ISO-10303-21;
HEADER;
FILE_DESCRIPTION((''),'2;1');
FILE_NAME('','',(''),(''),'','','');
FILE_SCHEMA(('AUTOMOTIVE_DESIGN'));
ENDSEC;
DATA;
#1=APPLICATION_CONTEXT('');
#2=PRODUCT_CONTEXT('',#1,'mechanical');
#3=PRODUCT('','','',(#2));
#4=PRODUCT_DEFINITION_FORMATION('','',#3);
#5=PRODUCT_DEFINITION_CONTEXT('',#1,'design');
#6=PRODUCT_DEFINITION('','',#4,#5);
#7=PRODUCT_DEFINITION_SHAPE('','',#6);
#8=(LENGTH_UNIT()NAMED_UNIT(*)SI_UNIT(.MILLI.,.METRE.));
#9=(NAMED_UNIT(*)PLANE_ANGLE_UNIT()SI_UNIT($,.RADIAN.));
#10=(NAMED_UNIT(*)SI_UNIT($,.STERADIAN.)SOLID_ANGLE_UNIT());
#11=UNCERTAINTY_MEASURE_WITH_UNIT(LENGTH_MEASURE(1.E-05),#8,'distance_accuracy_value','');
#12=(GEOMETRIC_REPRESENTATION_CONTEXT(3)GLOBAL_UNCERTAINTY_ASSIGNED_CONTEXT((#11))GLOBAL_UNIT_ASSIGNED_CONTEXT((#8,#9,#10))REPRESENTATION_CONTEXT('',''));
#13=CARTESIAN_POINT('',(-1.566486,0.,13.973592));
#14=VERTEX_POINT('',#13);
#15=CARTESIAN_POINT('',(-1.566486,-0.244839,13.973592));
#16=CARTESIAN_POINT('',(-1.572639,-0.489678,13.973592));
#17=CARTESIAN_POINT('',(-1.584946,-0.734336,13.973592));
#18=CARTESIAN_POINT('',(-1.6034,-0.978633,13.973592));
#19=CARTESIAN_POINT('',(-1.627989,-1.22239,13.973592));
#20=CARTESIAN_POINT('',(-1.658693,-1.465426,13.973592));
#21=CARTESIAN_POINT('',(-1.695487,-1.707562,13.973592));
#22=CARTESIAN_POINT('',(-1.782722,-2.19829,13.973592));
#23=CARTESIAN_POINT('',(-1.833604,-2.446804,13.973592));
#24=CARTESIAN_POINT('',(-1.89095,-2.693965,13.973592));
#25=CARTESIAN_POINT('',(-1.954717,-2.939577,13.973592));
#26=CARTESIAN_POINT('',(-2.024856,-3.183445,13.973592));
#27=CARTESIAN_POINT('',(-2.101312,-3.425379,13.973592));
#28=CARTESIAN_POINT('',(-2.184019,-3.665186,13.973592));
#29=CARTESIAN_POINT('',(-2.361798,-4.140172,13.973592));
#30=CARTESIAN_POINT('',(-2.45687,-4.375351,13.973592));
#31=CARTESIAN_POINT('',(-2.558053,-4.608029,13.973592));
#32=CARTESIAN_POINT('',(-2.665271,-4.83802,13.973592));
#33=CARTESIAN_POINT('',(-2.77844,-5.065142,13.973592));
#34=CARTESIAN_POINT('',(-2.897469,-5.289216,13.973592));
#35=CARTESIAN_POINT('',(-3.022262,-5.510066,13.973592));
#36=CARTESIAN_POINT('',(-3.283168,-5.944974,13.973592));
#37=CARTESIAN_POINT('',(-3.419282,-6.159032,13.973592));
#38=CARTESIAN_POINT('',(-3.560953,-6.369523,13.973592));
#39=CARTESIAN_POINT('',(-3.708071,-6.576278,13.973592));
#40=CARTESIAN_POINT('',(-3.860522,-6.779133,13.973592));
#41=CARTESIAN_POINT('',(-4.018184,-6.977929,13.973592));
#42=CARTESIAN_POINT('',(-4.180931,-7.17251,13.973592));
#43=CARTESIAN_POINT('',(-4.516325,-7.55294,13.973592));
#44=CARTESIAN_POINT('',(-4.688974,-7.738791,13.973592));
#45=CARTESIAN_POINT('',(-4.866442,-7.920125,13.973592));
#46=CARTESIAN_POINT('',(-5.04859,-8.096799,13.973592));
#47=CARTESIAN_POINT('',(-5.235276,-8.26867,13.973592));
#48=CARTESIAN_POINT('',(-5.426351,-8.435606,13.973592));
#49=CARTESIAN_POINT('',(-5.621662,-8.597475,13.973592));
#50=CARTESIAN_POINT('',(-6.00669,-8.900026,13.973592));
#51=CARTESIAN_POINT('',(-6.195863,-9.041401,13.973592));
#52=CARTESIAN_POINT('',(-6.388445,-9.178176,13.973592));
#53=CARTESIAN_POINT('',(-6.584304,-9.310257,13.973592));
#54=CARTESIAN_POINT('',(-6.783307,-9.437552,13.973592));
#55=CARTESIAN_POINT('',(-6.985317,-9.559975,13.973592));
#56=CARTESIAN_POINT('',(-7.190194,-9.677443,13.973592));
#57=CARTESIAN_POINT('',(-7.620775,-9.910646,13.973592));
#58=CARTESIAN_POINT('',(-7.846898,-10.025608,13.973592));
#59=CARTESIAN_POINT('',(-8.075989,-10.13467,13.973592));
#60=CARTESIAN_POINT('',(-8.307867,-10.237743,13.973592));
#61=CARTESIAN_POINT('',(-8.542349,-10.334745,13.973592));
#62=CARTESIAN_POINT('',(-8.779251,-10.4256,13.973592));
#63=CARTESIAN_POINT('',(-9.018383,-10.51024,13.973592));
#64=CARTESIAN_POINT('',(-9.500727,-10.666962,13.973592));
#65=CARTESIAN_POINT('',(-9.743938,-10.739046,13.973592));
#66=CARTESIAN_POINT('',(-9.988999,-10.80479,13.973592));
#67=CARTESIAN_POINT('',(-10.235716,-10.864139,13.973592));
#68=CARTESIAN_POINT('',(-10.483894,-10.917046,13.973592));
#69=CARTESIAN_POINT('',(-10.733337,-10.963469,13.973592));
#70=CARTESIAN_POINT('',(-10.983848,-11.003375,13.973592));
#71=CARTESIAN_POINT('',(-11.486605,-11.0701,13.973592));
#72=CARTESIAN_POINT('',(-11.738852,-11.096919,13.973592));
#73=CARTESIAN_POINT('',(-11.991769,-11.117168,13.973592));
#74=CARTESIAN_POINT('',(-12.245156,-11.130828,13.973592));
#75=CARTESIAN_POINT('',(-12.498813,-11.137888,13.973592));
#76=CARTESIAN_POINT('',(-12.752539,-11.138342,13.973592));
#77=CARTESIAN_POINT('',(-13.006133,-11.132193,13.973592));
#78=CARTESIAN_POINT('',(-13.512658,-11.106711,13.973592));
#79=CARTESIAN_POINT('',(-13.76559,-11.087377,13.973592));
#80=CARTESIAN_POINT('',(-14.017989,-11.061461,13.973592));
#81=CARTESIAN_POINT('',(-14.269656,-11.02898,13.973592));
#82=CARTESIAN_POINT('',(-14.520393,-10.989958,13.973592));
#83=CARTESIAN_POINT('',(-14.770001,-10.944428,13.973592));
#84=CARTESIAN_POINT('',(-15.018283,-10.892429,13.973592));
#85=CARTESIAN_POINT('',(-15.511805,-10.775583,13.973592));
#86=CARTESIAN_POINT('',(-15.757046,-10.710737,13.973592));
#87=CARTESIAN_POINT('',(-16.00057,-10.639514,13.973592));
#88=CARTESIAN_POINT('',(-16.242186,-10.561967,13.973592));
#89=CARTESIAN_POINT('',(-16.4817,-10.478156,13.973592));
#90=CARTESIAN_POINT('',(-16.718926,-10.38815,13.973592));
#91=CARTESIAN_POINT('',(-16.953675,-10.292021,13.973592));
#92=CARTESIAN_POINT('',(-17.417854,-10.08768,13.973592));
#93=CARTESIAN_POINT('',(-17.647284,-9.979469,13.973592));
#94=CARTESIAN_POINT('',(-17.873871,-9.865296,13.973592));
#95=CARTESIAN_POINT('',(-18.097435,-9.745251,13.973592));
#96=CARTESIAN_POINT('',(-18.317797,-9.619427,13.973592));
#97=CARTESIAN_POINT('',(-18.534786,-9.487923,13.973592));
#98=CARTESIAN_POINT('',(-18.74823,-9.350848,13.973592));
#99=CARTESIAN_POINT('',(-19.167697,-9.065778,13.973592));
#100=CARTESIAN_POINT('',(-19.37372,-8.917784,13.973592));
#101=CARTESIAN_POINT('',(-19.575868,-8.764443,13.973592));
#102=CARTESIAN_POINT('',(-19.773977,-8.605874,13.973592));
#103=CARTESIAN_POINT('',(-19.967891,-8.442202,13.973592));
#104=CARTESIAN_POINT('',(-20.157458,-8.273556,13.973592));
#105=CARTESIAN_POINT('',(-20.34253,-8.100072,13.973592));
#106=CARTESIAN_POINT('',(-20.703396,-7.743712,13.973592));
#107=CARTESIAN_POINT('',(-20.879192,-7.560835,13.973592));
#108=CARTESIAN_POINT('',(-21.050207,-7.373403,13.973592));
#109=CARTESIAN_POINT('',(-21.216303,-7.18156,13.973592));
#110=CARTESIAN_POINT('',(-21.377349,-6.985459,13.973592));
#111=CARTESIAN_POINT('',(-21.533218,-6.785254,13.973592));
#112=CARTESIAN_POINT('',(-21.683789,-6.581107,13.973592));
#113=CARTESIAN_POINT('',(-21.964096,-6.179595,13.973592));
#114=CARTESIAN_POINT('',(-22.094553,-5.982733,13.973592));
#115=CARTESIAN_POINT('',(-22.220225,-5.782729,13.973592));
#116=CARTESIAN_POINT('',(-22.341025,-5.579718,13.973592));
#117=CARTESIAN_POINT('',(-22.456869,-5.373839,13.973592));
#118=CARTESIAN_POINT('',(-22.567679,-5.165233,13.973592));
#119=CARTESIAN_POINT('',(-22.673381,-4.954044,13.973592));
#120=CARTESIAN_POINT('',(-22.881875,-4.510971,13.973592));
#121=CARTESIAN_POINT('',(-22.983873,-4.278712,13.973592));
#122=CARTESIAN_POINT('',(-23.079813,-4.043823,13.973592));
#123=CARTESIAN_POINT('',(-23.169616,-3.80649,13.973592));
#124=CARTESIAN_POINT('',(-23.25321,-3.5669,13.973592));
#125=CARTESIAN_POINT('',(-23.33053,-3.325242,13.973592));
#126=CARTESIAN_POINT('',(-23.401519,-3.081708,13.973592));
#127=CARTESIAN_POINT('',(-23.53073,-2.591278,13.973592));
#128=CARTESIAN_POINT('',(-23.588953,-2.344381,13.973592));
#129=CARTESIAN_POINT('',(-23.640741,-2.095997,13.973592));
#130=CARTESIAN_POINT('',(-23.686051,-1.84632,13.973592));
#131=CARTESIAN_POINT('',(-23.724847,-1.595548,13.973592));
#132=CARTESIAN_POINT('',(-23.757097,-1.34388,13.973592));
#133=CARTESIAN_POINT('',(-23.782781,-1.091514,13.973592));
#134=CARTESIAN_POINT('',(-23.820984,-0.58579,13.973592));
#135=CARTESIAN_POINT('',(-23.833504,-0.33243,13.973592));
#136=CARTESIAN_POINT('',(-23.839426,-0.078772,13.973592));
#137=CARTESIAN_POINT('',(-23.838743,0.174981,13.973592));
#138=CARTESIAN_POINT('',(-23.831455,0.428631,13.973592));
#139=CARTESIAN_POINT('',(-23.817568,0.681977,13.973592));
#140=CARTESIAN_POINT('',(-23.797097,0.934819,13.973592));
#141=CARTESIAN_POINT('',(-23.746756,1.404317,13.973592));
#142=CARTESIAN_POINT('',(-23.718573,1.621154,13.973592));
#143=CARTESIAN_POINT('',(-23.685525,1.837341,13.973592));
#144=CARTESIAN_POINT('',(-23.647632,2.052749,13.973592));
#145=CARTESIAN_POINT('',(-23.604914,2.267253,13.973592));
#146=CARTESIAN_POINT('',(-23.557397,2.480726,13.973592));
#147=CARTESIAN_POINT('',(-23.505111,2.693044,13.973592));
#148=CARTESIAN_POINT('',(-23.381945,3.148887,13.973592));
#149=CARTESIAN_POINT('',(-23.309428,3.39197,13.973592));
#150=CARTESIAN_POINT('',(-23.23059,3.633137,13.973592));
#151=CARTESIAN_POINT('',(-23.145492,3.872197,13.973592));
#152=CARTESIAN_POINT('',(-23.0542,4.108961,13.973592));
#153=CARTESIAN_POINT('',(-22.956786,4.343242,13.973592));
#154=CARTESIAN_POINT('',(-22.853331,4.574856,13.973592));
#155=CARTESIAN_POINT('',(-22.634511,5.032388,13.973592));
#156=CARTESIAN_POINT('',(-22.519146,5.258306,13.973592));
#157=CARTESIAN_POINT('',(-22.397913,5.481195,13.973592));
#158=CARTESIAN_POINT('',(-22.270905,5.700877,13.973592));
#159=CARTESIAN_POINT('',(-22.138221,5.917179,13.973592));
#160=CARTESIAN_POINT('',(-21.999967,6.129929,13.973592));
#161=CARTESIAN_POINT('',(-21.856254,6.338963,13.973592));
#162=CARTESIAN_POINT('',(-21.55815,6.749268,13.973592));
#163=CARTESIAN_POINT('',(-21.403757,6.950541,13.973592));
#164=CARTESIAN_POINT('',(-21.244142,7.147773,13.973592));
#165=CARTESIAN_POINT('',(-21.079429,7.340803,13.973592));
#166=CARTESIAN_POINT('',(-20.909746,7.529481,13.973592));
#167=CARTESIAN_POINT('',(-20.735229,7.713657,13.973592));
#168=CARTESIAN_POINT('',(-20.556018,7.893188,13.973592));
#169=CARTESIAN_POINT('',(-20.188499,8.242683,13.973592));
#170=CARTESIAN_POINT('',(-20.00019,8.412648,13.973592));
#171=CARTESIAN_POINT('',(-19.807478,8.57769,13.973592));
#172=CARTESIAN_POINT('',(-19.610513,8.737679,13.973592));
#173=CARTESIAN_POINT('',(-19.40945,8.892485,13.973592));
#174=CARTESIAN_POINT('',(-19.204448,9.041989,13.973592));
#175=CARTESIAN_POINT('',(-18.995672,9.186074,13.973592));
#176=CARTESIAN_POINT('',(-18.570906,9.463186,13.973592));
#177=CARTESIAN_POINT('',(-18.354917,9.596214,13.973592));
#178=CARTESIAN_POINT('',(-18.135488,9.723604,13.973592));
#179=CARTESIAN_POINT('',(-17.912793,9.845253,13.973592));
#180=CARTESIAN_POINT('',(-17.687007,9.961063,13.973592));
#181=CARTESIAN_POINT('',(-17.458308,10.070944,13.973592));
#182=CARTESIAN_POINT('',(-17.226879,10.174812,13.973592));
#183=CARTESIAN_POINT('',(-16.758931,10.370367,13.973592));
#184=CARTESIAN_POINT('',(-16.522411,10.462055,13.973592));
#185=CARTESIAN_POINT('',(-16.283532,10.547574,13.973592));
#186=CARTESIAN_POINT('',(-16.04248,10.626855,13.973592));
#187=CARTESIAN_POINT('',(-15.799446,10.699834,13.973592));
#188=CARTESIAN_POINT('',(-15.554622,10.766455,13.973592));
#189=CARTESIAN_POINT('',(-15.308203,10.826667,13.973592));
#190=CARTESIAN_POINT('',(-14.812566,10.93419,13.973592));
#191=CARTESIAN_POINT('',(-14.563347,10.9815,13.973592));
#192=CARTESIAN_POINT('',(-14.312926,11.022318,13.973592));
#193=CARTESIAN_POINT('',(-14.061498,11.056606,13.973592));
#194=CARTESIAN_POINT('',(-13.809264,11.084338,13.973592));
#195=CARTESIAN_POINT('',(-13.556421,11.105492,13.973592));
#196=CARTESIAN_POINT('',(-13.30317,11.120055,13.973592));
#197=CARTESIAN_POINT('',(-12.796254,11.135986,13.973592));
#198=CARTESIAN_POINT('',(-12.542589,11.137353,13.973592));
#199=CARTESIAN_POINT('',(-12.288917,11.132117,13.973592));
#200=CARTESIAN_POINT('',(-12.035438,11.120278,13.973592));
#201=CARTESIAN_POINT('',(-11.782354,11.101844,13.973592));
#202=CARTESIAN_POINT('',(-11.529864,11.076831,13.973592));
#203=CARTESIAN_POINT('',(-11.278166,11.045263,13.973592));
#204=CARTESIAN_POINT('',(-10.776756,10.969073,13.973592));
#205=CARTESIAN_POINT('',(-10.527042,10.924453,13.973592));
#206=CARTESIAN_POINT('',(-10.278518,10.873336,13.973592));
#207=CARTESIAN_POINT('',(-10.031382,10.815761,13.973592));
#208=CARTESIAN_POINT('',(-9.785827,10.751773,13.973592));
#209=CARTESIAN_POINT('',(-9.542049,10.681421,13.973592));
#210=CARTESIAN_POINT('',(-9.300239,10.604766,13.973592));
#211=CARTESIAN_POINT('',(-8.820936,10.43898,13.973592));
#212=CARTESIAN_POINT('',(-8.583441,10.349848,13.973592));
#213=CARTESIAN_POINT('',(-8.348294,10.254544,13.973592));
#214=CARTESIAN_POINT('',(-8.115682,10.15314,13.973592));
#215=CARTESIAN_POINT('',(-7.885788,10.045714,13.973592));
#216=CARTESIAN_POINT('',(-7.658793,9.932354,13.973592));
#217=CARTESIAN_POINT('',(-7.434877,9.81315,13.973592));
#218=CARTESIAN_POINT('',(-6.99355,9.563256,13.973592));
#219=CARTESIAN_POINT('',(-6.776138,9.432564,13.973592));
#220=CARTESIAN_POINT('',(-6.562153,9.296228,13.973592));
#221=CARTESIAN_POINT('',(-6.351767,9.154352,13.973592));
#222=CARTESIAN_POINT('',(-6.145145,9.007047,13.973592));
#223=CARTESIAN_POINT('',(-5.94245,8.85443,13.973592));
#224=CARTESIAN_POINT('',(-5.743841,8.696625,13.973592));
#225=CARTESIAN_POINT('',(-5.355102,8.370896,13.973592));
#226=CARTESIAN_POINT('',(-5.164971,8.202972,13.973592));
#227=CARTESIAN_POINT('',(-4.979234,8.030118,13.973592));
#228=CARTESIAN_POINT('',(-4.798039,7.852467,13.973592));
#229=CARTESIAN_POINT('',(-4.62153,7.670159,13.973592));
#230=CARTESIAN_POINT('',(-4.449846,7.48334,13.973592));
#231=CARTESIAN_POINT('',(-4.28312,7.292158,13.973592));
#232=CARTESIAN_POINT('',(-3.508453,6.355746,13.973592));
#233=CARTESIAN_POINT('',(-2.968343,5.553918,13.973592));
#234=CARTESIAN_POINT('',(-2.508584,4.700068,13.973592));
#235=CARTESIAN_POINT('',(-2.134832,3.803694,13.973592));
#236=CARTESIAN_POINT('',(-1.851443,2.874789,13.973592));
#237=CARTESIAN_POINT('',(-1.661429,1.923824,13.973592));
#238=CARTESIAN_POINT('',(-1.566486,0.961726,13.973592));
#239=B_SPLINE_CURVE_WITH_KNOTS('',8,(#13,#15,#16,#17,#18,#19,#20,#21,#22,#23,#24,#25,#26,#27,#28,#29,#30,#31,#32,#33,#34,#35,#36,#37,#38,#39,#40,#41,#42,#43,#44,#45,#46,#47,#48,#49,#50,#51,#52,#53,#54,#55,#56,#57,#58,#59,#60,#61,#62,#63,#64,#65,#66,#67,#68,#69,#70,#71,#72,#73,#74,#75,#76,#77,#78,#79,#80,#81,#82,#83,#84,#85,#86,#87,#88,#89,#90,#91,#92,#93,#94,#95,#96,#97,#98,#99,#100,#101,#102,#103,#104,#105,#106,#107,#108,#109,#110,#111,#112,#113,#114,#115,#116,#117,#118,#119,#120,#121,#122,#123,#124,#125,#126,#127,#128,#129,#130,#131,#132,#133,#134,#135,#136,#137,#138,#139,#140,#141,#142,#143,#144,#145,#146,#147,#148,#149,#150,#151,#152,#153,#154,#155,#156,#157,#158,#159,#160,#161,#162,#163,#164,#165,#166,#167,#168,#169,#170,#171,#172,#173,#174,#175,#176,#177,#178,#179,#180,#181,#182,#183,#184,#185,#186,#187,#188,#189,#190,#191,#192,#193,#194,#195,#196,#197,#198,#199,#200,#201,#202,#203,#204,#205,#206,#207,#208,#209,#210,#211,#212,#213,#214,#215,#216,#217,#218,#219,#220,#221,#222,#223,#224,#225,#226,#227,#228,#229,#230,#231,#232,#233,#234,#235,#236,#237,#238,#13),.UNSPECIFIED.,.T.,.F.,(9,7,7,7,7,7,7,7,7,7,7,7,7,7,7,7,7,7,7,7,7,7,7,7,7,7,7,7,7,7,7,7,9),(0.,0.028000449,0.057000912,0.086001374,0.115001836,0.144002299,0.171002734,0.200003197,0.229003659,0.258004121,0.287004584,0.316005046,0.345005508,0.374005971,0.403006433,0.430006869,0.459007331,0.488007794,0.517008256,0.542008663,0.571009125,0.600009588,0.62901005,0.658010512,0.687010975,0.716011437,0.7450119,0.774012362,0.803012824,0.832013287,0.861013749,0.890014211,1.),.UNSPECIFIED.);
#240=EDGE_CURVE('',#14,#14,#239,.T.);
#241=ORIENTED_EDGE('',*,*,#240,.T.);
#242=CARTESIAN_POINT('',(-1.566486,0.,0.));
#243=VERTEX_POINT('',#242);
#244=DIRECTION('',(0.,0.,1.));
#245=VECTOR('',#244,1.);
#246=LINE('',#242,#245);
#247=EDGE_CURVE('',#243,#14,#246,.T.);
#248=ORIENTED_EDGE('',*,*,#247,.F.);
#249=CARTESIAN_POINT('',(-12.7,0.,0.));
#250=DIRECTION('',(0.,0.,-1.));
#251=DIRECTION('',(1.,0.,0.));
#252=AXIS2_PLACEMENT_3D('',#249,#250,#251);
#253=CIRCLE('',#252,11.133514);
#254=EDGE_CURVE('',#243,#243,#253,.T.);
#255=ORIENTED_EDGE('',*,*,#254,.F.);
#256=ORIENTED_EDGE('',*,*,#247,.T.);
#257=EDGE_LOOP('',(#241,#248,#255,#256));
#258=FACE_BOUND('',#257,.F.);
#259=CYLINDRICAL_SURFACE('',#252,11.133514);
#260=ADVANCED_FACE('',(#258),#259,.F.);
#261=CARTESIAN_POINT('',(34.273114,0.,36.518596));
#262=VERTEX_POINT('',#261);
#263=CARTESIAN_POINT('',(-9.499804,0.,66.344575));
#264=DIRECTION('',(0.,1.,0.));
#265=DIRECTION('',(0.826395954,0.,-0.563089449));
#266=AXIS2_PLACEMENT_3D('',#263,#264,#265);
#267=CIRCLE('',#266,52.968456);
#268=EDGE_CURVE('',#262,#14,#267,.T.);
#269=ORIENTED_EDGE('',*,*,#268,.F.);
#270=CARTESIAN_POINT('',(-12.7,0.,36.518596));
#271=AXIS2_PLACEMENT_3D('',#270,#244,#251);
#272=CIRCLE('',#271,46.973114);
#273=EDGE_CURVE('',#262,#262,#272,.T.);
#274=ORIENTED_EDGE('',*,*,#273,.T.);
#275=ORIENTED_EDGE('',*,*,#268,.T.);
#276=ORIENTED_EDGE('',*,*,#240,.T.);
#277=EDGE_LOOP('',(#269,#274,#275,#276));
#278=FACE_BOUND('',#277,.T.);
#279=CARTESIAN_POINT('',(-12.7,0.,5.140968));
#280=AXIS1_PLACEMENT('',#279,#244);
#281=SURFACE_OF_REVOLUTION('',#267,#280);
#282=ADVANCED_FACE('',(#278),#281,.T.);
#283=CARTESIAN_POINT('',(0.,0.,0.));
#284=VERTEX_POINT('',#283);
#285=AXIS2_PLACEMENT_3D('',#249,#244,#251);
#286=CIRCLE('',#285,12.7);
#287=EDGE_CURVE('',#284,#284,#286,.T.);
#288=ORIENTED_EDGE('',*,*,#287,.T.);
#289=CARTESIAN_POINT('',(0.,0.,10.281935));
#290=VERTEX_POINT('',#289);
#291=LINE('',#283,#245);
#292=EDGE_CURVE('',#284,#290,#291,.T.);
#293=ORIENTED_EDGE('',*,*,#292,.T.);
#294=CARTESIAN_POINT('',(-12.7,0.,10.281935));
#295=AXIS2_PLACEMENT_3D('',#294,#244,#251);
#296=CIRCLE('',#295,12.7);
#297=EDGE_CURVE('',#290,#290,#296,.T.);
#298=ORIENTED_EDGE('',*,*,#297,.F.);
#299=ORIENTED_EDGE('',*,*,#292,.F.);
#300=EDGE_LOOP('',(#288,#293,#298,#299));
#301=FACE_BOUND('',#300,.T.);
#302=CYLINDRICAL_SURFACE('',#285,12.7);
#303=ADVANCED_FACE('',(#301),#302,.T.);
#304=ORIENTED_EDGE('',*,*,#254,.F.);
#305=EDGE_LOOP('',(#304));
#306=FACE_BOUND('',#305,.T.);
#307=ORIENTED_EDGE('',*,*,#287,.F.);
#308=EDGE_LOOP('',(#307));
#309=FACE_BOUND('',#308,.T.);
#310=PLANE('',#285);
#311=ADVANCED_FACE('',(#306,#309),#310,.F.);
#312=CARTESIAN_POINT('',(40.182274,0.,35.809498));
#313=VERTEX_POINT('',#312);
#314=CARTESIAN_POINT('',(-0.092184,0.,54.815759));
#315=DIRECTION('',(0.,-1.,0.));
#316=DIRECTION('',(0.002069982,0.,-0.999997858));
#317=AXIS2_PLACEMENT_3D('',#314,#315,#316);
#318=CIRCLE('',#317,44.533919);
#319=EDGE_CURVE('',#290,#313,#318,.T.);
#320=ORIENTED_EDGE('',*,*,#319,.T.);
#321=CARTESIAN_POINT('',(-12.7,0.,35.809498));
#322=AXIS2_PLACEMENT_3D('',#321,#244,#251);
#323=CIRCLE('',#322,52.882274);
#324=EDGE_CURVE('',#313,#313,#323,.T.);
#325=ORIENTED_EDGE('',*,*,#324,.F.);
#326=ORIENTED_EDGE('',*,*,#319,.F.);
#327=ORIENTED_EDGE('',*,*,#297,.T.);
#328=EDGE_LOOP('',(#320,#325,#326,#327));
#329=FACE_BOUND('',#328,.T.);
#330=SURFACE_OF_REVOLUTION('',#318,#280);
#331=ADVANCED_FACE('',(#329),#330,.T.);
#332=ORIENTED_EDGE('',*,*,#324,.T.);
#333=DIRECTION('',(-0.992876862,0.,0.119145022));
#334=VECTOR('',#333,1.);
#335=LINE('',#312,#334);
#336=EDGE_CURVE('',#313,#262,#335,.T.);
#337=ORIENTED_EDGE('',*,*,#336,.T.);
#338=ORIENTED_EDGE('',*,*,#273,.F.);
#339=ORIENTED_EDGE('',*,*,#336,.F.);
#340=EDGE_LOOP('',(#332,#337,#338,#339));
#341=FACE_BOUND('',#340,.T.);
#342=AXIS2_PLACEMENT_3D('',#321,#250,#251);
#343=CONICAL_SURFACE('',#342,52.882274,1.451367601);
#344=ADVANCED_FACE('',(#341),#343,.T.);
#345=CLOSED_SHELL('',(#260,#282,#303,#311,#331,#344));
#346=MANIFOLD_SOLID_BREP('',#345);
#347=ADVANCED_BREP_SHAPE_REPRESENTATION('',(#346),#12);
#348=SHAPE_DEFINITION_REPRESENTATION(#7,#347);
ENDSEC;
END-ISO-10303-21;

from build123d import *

# Parameters (mm, degrees)
F2_R     = 11.133514
F3_DEPTH = 25.4


with BuildPart() as f1:
    # F0 (on Front) → F1 (revolve)
    with BuildSketch(Plane.XZ):
        with BuildLine():
            Line((-12.7, 0), (0, 0))
            Line((0, 0), (0, 10.281935))
            ThreePointArc((0, 10.281935), (23.788364, 17.226008), (40.182274, 35.809498))
            Line((40.182274, 35.809498), (34.273114, 36.518596))
            ThreePointArc((34.273114, 36.518596), (13.830706, 18.790977), (-12.7, 13.47288))
            Line((-12.7, 13.47288), (-12.7, 10.281935))
            Line((-12.7, 10.281935), (-12.7, 0))
        make_face()
    revolve(axis=Axis((-12.7, 0, 5.140968), (0, 0, 1)))

    # F2 (on face) → F3 (cut)
    with BuildSketch(Plane(origin=(0, 0, 0), x_dir=(1, 0, 0), z_dir=(0, 0, -1))):
        with Locations((-12.7, 0)):
            Circle(F2_R)
    extrude(amount=-F3_DEPTH, mode=Mode.SUBTRACT)


solid = f1.part
